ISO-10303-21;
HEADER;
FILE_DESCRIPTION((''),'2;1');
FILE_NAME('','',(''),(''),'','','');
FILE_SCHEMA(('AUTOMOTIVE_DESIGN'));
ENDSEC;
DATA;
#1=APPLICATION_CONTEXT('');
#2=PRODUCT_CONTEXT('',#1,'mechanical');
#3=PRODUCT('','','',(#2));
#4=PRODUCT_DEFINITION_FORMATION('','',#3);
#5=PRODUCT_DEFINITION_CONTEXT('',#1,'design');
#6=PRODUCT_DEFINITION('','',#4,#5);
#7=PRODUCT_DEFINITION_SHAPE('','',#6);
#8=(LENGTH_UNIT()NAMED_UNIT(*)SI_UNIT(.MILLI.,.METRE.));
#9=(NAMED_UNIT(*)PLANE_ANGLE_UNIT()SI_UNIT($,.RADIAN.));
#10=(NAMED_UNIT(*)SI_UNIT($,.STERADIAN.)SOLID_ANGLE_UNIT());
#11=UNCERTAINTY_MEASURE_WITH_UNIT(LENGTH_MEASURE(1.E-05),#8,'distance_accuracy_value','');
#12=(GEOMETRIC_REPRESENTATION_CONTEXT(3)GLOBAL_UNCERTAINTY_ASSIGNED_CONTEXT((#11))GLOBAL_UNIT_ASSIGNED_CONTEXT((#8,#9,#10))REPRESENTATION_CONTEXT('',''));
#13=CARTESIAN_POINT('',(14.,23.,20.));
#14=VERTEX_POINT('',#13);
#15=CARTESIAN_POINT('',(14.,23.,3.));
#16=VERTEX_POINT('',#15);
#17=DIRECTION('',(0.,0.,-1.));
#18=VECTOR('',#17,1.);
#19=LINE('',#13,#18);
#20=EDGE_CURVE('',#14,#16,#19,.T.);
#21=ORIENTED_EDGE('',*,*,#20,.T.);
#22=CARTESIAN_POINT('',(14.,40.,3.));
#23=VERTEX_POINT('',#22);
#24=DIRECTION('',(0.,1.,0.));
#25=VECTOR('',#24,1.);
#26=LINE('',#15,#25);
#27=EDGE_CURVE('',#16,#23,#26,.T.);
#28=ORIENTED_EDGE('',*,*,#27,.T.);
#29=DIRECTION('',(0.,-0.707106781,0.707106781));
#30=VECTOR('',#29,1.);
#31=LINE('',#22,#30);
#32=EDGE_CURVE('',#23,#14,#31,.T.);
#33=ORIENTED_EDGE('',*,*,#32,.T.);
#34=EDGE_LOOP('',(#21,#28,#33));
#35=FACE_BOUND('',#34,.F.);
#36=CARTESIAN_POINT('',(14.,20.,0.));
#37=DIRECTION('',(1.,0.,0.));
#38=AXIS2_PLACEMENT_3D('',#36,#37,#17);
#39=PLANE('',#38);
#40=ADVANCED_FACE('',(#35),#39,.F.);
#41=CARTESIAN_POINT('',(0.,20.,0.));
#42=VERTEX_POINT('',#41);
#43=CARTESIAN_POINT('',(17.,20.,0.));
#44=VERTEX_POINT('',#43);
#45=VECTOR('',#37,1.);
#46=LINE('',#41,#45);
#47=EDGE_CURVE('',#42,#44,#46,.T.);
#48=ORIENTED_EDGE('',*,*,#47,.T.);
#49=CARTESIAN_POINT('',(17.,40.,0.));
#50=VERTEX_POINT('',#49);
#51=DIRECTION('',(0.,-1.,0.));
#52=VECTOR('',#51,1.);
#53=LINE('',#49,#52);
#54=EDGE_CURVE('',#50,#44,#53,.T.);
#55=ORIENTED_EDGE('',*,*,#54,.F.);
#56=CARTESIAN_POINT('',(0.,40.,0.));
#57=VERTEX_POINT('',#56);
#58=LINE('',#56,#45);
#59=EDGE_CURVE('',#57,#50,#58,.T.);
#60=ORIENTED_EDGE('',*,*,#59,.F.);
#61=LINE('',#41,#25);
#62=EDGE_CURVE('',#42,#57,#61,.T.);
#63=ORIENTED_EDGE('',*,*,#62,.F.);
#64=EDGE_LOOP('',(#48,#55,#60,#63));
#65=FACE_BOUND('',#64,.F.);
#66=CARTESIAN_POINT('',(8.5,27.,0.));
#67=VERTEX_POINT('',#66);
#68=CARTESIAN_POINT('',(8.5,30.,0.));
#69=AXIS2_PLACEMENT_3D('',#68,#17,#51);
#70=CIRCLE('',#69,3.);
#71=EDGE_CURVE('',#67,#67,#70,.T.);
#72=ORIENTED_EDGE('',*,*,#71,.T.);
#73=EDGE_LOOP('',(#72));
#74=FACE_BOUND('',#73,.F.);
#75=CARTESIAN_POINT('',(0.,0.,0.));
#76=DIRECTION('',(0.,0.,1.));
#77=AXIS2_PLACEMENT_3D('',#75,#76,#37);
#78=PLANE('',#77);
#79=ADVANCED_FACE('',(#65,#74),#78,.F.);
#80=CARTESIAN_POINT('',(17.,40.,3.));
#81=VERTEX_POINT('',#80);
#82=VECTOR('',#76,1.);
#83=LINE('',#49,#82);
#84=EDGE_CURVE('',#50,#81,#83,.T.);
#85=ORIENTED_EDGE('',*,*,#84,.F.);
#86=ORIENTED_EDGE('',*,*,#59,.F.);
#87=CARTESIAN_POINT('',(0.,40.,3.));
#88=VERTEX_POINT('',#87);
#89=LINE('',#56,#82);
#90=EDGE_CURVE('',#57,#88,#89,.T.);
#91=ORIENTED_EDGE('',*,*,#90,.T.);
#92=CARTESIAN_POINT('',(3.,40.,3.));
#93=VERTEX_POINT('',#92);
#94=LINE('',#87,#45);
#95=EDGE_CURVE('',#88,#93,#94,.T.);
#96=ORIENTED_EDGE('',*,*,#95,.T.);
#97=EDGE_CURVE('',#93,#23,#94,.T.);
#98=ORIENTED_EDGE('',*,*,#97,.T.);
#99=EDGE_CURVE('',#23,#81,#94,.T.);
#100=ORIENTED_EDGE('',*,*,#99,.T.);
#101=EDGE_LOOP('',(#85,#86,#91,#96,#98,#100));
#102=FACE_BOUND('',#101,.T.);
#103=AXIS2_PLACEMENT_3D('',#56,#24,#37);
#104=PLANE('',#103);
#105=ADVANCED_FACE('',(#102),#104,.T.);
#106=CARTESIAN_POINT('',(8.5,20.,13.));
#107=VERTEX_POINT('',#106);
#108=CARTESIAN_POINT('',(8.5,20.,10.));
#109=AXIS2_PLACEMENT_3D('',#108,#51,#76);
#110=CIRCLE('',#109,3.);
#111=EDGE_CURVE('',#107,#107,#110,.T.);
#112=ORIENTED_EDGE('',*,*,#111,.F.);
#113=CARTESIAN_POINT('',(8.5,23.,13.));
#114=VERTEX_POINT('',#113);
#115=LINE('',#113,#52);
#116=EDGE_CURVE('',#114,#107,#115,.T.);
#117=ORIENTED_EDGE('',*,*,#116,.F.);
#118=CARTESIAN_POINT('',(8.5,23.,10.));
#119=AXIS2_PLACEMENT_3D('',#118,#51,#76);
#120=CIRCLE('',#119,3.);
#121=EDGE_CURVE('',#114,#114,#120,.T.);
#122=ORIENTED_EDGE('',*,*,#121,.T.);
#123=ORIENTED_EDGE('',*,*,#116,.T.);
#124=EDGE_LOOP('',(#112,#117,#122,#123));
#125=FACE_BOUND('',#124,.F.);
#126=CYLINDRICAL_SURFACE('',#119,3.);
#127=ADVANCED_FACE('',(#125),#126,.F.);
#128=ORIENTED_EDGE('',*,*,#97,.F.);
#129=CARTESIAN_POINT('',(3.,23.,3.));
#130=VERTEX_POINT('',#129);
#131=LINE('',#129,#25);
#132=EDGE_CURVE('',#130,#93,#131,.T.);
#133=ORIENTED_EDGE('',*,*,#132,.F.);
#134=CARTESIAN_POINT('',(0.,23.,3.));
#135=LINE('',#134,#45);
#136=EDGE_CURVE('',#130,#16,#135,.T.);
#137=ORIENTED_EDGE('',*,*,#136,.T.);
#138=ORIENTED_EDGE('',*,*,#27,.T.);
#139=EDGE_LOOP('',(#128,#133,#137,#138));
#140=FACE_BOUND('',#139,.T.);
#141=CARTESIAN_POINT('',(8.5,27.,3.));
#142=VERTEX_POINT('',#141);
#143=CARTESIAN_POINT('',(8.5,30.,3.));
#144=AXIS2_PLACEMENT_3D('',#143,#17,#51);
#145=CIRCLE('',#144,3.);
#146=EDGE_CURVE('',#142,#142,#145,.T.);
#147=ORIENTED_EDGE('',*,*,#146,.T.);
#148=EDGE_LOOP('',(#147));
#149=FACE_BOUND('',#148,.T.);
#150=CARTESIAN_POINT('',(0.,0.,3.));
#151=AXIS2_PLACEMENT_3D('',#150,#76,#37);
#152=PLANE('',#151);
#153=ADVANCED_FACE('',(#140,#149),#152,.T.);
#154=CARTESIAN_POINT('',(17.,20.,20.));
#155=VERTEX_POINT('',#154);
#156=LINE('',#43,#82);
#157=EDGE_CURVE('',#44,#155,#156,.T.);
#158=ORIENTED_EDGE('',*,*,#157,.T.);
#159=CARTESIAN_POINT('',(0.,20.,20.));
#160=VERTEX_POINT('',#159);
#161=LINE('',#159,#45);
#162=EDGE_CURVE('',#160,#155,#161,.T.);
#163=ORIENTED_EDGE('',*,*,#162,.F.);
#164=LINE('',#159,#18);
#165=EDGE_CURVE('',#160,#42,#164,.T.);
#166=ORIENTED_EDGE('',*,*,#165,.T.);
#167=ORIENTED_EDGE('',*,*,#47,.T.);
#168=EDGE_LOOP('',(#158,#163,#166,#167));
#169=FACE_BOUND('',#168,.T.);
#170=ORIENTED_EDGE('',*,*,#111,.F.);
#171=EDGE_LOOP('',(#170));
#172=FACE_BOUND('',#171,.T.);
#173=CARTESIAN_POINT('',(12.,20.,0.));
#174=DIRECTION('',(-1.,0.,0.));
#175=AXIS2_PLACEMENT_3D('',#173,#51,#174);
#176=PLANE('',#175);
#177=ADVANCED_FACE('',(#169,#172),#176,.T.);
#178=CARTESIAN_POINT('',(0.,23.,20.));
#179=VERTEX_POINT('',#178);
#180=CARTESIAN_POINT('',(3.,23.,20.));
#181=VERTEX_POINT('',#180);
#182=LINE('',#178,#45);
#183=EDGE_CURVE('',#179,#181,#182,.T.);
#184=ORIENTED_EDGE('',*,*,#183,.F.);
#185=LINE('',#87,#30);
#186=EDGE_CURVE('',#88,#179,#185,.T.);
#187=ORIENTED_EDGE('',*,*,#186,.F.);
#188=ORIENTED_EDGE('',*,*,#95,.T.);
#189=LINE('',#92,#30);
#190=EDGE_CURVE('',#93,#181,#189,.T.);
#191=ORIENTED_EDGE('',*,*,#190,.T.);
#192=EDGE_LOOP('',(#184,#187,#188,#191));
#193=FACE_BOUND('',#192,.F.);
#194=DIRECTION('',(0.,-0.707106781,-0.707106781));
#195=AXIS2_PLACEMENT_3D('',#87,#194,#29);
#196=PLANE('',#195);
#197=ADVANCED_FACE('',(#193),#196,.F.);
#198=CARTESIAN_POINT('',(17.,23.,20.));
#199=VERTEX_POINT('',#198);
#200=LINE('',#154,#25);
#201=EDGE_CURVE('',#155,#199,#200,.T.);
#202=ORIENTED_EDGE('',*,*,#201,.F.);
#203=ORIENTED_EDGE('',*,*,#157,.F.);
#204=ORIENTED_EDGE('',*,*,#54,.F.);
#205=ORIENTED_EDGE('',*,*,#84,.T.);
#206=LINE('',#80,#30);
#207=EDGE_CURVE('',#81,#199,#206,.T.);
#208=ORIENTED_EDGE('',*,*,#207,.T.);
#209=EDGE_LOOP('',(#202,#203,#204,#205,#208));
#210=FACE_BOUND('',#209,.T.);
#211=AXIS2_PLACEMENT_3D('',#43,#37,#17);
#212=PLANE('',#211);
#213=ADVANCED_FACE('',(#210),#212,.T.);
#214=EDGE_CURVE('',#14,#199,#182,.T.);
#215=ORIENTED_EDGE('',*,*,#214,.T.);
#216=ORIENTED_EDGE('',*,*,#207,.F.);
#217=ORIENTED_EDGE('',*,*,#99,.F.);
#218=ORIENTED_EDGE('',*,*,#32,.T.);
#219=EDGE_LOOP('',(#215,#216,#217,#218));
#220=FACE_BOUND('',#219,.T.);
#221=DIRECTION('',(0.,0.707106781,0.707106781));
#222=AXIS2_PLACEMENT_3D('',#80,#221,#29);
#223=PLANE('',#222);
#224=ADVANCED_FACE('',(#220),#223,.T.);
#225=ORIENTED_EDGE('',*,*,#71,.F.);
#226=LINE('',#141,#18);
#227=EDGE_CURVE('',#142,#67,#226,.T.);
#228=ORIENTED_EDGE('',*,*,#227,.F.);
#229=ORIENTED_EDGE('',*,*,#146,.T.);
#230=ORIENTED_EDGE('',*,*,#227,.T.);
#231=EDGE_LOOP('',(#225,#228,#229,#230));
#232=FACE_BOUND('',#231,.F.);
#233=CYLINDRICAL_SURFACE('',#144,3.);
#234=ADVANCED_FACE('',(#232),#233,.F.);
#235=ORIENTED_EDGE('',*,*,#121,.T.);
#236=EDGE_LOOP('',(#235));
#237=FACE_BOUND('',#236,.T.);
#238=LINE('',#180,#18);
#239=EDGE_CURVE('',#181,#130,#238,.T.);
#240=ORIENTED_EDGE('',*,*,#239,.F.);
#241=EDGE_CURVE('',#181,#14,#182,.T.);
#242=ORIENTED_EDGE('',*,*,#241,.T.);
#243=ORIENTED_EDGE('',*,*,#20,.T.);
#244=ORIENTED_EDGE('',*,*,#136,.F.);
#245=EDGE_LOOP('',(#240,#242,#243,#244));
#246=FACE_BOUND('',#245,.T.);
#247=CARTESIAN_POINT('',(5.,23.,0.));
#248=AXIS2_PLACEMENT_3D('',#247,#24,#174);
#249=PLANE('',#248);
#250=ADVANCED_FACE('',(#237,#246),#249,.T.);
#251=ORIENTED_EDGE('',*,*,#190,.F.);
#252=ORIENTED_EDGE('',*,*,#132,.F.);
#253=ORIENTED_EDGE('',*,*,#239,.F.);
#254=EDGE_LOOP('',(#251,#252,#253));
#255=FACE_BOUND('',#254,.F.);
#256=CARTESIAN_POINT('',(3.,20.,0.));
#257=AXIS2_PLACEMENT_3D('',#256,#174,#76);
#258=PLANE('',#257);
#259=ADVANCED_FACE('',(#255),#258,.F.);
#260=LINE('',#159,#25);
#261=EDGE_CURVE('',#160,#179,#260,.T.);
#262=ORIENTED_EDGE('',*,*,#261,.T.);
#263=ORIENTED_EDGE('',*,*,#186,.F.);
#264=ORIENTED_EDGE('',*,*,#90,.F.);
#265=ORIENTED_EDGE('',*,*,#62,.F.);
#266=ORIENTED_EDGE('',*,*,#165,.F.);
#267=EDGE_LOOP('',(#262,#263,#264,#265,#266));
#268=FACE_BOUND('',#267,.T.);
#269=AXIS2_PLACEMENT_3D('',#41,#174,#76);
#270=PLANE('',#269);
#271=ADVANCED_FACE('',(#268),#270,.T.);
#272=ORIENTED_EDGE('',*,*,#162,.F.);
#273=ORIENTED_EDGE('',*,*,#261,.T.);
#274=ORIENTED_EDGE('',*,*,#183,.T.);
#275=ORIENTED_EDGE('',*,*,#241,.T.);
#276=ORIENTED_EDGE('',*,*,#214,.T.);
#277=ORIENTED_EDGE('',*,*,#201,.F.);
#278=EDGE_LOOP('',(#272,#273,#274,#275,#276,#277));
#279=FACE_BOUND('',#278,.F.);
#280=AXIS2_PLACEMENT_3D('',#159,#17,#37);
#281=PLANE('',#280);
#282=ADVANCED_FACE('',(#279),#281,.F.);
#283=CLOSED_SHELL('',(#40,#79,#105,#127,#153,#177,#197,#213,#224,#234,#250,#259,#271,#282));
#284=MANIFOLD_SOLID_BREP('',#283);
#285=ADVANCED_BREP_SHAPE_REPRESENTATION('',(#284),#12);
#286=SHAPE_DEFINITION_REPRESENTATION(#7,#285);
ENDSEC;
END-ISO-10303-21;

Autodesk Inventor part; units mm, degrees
ref_plane "YZ Plane" through (0, 0, 0) normal (1, 0, 0) x (0, 1, 0)
ref_plane "XZ Plane" through (0, 0, 0) normal (0, 1, 0) x (-1, 0, 0)
ref_plane "XY Plane" through (0, 0, 0) normal (0, 0, 1) x (1, 0, 0)
ref_plane "Arbeitsebene7" through (0, 0, 0) normal (0, 0, 1) x (1, 0, 0)
sketch "Skizze1" plane through (0, 0, 0) normal (0, 0, 1) x (1, 0, 0)
  line L0 (12, 20) -> (17, 20) projected
  line L1 (0, 20) -> (5, 20) projected
  line L2 (17, 20) -> (0, 20)
  line L3 (0, 20) -> (0, 40)
  line L4 (0, 40) -> (17, 40)
  line L5 (17, 40) -> (17, 20)
  point P0 (0, 0)
  dimension "d0" = 20
extrude "Extrusion1" add sketch "Skizze1" along normal blind 3
ref_plane "Arbeitsebene6" through (5, 20, 0) normal (0, 1, 0) x (-1, 0, 0)
sketch "Skizze2" plane through (5, 20, 0) normal (0, 1, 0) x (-1, 0, 0)
  line L0 (-12, 0) -> (-12, 400) projected
  line L1 (5, 3) -> (-12, 3) projected
  line L2 (-12, 3) -> (5, 3)
  line L3 (5, 3) -> (5, 20)
  line L4 (5, 20) -> (-12, 20)
  line L5 (-12, 20) -> (-12, 3)
  point P0 (5, 0)
  dimension "d3" = 17
extrude "Extrusion2" add sketch "Skizze2" along normal blind 3
ref_plane "Arbeitsebene5" through (0, 20, 0) normal (-1, 0, 0) x (0, 0, 1)
sketch "Skizze4" plane through (0, 20, 0) normal (-1, 0, 0) x (0, 0, 1)
  line L0 (3, 3) -> (3, 20) projected
  line L1 (20, 3) -> (3, 3) projected
  line L2 (3, 20) -> (20, 3)
  line L3 (20, 3) -> (3, 3)
  line L4 (0, 20) -> (3, 20) projected
  line L5 (3, 3) -> (3, 20)
  point P0 (0, -20)
extrude "Extrusion3" add sketch "Skizze4" against normal blind 3
ref_plane "Arbeitsebene4" through (17, 20, 0) normal (1, 0, 0) x (0, 0, -1)
sketch "Skizze5" plane through (17, 20, 0) normal (1, 0, 0) x (0, 0, -1)
  line L0 (-3, 3) -> (-3, 20) projected
  line L1 (-3, 20) -> (-3, 3)
  line L2 (-20, 3) -> (-3, 3) projected
  line L3 (-3, 3) -> (-20, 3)
  line L4 (-3, 20) -> (-20, 3) projected
  line L5 (-20, 3) -> (-3, 20)
  point P0 (0, -20)
extrude "Extrusion4" add sketch "Skizze5" against normal blind 3
hole "Bohrung3" at (8.5, 30, 3) direction (0, 0, -1) diameter 6 end through all
hole "Bohrung4" at (8.5, 23, 10) direction (0, -1, 0) diameter 6 end through all
properties part number "Corner Piece" material "Aluminum 6061-AHC"
